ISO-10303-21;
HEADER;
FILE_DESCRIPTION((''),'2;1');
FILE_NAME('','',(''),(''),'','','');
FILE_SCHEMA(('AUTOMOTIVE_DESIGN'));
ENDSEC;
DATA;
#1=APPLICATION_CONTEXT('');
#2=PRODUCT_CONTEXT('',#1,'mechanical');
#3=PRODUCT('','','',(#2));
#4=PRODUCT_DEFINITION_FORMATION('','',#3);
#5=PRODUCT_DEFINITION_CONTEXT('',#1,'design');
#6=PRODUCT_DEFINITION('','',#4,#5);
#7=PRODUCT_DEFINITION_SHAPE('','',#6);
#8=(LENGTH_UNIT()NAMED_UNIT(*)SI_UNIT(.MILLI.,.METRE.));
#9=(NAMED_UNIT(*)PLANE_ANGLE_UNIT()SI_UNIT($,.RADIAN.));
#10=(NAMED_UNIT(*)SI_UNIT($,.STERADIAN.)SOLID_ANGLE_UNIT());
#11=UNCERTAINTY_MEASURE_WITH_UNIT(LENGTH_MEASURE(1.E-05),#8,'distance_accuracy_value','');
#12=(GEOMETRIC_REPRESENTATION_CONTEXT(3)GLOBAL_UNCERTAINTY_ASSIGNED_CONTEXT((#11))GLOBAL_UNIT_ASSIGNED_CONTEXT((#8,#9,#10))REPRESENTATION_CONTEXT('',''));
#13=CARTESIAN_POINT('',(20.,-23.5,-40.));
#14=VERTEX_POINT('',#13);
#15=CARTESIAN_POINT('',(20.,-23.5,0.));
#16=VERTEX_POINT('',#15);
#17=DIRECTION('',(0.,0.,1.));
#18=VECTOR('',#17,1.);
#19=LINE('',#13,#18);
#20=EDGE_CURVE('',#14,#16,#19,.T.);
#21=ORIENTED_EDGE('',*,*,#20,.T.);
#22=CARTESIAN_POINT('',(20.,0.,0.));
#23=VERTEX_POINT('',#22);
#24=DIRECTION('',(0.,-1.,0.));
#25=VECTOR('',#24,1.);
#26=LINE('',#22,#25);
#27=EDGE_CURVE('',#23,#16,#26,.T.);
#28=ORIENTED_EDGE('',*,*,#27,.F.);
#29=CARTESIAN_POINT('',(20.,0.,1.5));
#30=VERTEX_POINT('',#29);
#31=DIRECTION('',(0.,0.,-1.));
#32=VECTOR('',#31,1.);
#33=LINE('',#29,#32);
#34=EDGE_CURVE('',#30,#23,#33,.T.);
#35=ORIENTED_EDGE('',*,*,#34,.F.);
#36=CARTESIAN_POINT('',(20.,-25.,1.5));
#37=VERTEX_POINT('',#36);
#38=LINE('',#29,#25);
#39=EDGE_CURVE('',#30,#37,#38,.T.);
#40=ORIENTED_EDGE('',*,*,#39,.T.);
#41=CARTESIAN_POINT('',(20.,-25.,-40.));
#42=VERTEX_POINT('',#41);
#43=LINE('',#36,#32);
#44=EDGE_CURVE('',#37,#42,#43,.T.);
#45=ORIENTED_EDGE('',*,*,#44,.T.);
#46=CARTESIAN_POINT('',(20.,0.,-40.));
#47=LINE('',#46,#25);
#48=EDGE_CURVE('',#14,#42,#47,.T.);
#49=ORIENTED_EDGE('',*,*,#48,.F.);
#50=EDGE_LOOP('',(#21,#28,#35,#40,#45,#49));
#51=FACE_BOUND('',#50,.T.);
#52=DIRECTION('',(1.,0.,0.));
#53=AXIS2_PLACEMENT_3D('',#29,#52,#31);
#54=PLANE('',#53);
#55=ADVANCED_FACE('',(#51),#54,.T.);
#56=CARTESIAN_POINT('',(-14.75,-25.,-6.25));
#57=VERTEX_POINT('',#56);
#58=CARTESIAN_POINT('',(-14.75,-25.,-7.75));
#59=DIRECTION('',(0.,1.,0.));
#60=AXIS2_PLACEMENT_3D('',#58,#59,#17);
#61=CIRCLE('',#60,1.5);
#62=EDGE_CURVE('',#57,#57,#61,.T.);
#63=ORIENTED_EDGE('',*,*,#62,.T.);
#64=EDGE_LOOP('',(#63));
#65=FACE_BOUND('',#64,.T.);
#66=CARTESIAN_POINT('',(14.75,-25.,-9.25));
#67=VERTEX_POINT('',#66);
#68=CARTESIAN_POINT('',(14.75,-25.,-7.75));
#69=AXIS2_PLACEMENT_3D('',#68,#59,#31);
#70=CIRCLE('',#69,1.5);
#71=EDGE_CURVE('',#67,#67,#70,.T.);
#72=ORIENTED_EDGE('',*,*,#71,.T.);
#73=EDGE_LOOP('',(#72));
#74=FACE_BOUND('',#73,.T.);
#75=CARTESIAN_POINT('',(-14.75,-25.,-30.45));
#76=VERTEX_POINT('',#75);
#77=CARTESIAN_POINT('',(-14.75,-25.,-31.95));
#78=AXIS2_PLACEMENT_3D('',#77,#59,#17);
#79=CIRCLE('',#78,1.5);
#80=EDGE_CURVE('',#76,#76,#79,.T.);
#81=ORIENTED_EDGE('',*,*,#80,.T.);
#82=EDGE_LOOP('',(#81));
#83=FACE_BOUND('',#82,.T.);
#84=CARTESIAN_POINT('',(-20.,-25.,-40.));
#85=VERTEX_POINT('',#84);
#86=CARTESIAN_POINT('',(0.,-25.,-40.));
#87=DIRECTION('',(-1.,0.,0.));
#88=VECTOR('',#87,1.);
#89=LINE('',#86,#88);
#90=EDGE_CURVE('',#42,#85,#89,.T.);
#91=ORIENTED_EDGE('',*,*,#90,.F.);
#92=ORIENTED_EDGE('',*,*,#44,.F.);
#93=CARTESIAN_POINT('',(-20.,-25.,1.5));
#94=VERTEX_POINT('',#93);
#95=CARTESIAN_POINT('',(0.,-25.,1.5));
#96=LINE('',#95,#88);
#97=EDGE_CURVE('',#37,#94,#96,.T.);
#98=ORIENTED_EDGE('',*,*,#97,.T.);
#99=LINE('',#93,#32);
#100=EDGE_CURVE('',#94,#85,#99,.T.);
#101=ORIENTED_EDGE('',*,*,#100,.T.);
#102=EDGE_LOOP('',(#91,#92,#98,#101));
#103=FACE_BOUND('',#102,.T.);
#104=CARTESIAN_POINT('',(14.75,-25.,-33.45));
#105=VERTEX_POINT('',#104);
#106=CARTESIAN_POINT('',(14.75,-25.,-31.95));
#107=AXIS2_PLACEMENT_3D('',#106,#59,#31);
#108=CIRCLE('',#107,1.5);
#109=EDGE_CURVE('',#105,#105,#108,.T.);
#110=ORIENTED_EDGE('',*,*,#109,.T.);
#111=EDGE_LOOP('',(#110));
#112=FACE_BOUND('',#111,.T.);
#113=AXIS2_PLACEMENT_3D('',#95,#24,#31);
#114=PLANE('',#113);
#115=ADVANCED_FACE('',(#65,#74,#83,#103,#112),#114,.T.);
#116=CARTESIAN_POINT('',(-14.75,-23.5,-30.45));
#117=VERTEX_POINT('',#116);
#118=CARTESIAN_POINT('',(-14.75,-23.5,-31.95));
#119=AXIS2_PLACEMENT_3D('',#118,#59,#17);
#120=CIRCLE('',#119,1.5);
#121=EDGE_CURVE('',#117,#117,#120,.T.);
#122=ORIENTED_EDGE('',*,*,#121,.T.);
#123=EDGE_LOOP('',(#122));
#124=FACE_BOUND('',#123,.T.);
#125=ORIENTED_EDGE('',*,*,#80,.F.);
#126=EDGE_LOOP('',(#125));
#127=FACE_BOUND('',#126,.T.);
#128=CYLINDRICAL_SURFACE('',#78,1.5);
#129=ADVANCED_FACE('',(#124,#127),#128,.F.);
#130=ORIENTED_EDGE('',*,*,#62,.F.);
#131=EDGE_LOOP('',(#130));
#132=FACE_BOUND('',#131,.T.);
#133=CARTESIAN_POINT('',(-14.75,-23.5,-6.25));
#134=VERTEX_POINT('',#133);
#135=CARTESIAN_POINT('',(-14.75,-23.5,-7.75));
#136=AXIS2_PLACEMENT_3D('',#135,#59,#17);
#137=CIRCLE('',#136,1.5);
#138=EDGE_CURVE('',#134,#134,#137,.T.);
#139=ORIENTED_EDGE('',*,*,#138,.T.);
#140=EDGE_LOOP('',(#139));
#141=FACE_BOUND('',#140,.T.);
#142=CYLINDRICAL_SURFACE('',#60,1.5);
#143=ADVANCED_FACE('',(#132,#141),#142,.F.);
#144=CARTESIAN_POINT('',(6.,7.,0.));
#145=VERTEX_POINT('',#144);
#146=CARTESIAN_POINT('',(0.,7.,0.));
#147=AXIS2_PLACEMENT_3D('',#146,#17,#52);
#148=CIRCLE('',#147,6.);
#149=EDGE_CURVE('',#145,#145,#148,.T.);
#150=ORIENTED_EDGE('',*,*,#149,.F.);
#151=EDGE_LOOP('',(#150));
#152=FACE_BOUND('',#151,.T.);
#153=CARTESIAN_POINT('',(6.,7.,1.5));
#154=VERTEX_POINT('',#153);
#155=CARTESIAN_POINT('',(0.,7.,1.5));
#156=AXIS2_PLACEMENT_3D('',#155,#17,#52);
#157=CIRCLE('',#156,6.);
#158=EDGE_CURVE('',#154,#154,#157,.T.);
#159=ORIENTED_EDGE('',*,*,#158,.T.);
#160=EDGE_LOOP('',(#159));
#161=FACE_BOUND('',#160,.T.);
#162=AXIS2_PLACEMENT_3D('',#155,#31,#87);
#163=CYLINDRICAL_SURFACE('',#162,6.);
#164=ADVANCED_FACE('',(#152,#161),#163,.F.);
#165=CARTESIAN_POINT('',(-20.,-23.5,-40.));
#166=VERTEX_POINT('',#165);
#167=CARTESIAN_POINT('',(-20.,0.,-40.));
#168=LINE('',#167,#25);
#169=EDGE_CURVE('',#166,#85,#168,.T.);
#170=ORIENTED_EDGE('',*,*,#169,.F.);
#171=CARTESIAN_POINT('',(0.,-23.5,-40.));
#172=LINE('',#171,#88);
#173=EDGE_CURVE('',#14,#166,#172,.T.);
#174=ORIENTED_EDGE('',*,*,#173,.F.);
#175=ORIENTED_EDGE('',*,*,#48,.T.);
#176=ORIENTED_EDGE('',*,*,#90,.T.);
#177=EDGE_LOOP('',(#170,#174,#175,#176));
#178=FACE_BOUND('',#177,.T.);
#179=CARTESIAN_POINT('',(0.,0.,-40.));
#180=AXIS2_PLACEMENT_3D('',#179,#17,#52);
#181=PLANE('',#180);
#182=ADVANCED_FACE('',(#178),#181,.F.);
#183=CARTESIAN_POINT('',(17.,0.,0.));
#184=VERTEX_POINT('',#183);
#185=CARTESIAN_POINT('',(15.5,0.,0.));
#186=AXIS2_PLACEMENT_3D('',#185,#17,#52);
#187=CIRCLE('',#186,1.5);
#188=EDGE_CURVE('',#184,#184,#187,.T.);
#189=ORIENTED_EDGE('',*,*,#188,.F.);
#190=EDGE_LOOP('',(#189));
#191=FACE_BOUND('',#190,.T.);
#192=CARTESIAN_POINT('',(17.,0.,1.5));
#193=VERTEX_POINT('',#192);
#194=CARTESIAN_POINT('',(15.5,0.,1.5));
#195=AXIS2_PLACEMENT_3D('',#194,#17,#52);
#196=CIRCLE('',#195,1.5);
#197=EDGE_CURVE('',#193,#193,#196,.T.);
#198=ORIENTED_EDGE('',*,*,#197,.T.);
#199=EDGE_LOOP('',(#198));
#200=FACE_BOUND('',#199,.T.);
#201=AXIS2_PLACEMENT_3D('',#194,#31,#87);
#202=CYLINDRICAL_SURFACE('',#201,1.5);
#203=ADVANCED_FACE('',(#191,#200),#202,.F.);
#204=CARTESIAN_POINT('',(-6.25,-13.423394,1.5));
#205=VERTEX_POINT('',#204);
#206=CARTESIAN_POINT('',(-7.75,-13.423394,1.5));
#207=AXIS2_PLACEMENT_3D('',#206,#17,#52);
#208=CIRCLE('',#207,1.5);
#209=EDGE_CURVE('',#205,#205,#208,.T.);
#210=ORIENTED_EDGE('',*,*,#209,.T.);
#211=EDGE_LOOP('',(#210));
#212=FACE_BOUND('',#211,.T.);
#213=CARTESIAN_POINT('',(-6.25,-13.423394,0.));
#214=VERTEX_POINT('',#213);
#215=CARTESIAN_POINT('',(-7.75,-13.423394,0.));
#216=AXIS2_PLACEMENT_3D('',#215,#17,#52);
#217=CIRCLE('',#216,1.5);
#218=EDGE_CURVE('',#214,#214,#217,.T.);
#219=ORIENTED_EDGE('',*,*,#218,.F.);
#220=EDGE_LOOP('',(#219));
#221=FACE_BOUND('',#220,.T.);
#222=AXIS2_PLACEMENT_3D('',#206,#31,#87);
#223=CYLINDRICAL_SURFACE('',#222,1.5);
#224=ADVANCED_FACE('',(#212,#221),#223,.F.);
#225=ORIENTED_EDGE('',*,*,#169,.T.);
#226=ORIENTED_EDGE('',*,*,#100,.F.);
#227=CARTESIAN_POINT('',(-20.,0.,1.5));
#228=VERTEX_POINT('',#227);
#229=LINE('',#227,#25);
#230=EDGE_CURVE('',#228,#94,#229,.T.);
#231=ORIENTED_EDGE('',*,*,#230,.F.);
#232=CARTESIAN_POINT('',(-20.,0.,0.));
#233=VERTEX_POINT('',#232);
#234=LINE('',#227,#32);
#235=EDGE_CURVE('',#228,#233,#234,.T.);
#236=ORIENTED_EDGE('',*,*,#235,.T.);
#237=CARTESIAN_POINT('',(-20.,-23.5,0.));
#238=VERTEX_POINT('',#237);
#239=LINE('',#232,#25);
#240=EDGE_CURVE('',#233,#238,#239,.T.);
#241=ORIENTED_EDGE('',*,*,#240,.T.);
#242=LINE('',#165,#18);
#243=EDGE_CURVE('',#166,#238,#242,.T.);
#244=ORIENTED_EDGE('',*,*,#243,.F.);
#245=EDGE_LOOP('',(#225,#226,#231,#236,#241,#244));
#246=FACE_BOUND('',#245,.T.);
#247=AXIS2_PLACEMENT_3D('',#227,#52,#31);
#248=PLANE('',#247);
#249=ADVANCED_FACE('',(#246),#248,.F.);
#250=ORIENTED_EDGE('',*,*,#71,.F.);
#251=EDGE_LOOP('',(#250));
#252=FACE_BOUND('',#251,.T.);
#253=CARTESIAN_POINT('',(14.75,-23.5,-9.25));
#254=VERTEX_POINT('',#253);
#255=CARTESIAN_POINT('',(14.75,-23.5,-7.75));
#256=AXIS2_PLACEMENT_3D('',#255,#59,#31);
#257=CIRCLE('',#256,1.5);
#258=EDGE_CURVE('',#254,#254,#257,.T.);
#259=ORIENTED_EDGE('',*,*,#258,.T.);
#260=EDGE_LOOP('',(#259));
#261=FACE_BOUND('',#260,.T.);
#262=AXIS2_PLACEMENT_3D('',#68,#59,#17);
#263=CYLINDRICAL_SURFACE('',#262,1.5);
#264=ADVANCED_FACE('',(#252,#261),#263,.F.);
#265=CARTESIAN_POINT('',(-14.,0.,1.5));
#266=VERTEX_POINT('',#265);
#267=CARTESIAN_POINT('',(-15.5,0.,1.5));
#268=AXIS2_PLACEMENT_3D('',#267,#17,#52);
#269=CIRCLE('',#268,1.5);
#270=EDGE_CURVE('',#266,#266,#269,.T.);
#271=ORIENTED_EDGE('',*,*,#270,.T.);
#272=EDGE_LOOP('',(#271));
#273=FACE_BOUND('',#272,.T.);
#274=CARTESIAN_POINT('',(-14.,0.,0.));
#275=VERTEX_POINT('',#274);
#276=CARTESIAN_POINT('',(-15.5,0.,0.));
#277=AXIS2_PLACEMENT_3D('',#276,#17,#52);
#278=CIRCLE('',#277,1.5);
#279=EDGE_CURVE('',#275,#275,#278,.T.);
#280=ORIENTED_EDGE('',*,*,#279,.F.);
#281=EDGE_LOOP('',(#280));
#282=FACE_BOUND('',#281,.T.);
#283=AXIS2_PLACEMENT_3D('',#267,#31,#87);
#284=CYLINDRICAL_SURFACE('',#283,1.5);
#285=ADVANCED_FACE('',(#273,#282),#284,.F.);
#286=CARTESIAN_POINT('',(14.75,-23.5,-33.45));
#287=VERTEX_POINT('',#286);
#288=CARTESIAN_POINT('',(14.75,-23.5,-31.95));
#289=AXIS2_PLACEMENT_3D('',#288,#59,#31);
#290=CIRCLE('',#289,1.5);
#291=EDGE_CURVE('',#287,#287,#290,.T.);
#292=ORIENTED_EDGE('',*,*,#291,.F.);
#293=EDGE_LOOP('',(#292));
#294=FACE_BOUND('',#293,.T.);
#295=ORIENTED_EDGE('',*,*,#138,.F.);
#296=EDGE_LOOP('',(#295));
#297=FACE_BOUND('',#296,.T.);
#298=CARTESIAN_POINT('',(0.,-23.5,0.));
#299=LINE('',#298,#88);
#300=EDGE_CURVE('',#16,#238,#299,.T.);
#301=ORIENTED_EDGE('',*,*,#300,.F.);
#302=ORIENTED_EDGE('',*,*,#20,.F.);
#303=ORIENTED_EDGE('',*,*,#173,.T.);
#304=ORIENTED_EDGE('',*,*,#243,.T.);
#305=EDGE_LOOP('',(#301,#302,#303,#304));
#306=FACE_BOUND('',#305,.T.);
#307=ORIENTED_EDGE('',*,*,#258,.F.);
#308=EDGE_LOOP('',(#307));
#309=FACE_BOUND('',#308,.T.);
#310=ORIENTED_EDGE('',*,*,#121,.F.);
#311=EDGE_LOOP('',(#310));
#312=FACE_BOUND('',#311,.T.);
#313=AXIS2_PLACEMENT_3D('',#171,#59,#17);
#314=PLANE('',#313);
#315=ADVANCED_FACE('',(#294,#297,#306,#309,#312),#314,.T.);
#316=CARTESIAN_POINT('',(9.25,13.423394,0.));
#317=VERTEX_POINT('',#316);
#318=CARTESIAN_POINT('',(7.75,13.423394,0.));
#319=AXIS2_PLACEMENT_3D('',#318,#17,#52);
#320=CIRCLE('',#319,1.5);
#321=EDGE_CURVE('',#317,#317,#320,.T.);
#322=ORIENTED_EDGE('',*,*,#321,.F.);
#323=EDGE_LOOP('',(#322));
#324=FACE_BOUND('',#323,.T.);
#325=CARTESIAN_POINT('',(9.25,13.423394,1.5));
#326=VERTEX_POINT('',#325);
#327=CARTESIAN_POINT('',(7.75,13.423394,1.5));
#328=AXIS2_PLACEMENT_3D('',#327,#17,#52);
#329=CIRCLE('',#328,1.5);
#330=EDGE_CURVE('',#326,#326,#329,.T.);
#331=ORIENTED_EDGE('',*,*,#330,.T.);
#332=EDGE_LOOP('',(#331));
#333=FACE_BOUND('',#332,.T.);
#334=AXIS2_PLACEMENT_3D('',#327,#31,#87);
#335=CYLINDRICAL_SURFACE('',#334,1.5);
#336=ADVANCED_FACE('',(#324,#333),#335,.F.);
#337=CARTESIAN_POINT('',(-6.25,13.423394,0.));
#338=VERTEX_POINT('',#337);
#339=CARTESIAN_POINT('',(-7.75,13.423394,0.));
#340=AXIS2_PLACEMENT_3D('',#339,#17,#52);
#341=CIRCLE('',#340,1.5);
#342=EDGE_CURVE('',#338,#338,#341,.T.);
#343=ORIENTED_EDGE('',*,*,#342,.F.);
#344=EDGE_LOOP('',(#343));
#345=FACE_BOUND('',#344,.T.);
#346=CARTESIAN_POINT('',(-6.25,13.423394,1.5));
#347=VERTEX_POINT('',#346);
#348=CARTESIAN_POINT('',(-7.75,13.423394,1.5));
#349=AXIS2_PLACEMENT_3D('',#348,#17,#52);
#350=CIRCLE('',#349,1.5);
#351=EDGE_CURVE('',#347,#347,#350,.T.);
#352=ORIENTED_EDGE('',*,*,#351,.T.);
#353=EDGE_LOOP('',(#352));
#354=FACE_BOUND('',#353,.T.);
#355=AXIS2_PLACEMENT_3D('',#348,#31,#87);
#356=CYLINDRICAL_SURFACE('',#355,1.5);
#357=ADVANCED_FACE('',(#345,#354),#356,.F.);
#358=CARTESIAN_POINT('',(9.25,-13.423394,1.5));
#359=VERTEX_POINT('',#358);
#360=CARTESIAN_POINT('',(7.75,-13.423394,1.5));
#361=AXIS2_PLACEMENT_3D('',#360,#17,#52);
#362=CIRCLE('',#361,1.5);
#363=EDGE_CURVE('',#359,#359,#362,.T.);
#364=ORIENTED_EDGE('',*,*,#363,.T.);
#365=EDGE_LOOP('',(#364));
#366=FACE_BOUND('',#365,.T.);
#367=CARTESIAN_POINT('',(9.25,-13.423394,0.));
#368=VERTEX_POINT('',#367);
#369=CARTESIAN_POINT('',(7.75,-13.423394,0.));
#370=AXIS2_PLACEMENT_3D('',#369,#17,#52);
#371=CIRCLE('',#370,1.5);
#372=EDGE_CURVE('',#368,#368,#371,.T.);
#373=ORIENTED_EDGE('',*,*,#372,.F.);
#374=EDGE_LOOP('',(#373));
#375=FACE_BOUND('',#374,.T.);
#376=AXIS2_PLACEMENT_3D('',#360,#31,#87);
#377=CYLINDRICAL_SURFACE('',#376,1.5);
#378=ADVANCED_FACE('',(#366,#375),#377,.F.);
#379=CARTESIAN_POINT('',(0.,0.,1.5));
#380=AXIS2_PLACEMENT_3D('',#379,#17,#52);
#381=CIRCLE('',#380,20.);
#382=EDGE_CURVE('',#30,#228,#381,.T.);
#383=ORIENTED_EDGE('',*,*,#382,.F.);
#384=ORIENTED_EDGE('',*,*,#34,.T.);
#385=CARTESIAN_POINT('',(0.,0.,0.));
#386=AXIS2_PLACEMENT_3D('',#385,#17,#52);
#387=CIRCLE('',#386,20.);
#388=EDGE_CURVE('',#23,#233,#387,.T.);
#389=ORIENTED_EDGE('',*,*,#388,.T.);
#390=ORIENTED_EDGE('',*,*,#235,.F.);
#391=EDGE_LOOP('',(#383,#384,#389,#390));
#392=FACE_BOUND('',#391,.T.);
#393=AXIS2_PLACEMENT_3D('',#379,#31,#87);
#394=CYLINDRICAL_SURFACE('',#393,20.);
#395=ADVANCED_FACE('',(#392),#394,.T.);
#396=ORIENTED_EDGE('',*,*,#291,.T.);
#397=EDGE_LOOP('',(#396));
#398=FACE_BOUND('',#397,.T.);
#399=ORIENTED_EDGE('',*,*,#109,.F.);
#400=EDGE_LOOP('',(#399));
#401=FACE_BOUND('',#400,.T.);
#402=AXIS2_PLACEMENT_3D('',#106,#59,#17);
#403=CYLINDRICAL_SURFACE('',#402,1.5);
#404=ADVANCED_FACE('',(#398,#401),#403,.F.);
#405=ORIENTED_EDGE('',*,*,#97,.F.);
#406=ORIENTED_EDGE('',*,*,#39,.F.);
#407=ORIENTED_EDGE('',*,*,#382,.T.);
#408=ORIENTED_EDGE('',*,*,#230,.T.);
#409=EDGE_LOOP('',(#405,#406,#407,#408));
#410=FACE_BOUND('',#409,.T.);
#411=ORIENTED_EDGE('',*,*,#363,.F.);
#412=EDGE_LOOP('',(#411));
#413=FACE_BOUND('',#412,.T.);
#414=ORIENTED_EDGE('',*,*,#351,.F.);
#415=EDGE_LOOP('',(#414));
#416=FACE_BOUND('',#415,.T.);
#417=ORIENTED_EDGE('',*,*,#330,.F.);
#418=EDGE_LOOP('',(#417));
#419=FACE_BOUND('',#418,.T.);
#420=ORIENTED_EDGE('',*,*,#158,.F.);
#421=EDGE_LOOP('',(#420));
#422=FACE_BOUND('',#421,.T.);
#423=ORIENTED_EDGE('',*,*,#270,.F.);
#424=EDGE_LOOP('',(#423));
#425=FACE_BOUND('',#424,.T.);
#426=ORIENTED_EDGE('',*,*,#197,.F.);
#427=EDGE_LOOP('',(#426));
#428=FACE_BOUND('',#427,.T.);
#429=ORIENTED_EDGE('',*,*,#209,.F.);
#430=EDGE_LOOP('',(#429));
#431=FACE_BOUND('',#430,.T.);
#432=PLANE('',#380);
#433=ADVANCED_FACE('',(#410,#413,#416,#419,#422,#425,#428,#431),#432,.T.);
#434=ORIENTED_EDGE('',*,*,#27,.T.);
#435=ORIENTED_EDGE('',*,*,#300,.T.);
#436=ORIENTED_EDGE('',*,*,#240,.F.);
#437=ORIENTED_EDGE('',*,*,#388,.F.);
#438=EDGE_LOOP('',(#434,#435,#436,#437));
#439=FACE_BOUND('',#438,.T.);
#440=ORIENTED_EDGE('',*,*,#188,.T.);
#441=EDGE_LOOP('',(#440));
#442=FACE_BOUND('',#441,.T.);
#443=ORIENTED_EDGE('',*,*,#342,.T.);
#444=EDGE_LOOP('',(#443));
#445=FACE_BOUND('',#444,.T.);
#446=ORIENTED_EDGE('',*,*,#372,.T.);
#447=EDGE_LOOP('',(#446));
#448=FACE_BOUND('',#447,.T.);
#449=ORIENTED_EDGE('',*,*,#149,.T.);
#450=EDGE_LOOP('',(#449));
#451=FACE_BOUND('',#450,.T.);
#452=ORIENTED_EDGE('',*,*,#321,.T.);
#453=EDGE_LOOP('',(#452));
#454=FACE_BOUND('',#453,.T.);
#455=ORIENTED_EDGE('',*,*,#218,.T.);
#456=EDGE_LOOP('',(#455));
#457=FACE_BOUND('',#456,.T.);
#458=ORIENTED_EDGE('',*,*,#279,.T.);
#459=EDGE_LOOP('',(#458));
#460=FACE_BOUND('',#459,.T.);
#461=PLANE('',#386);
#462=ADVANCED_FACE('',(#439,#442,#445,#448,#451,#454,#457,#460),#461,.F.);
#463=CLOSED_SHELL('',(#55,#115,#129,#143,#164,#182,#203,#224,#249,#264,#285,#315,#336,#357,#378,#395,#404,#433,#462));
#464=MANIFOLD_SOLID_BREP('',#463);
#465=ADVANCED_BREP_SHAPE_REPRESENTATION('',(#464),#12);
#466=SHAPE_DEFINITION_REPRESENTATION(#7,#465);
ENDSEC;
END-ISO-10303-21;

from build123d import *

# Parameters (mm, degrees)
SKETCH_1_R          = 1.5
SKETCH_1_R_2        = 6
EXTRUDE_1_DEPTH     = 1.5
SKETCH_1_3_W        = 40
SKETCH_1_3_H        = 1.5
EXTRUDE_2_DEPTH     = 40
SKETCH_2_R          = 1.5
CUT_EXTRUDE_1_DEPTH = 63.387899468


with BuildPart() as part:
    # 草图1 → 凸台-拉伸1 (new body)
    with BuildSketch(Plane.XY):
        with BuildLine():
            ThreePointArc((20, 0), (0, 20), (-20, 0))
            Line((-20, 0), (-20, -25))
            Line((-20, -25), (20, -25))
            Line((20, -25), (20, 0))
        make_face()
        with Locations((-7.75, -13.423393759)):
            Circle(SKETCH_1_R, mode=Mode.SUBTRACT)
        with Locations((7.75, -13.423393759)):
            Circle(SKETCH_1_R, mode=Mode.SUBTRACT)
        with Locations((-15.5, 0)):
            Circle(SKETCH_1_R, mode=Mode.SUBTRACT)
        with Locations((-7.75, 13.423393759)):
            Circle(SKETCH_1_R, mode=Mode.SUBTRACT)
        with Locations((0, 7)):
            Circle(SKETCH_1_R_2, mode=Mode.SUBTRACT)
        with Locations((15.5, 0)):
            Circle(SKETCH_1_R, mode=Mode.SUBTRACT)
        with Locations((7.75, 13.423393759)):
            Circle(SKETCH_1_R, mode=Mode.SUBTRACT)
    extrude(amount=EXTRUDE_1_DEPTH)

    # 草图1<3> → 凸台-拉伸2 (add)
    with BuildSketch(Plane.XY):
        with Locations((0, -24.25)):
            Rectangle(SKETCH_1_3_W, SKETCH_1_3_H)
    extrude(amount=-EXTRUDE_2_DEPTH)

    # 草图2 → 切除-拉伸1 (cut, through all)
    with BuildSketch(Plane(origin=(0, -23.5, 0), x_dir=(1, 0, 0), z_dir=(0, 1, 0))):
        with Locations((-14.75, 31.95)):
            Circle(SKETCH_2_R)
        with Locations((-14.75, 7.75)):
            Circle(SKETCH_2_R)
        with Locations((14.75, 7.75)):
            Circle(SKETCH_2_R)
        with Locations((14.75, 31.95)):
            Circle(SKETCH_2_R)
    extrude(amount=-CUT_EXTRUDE_1_DEPTH, mode=Mode.SUBTRACT)


solid = part.part
